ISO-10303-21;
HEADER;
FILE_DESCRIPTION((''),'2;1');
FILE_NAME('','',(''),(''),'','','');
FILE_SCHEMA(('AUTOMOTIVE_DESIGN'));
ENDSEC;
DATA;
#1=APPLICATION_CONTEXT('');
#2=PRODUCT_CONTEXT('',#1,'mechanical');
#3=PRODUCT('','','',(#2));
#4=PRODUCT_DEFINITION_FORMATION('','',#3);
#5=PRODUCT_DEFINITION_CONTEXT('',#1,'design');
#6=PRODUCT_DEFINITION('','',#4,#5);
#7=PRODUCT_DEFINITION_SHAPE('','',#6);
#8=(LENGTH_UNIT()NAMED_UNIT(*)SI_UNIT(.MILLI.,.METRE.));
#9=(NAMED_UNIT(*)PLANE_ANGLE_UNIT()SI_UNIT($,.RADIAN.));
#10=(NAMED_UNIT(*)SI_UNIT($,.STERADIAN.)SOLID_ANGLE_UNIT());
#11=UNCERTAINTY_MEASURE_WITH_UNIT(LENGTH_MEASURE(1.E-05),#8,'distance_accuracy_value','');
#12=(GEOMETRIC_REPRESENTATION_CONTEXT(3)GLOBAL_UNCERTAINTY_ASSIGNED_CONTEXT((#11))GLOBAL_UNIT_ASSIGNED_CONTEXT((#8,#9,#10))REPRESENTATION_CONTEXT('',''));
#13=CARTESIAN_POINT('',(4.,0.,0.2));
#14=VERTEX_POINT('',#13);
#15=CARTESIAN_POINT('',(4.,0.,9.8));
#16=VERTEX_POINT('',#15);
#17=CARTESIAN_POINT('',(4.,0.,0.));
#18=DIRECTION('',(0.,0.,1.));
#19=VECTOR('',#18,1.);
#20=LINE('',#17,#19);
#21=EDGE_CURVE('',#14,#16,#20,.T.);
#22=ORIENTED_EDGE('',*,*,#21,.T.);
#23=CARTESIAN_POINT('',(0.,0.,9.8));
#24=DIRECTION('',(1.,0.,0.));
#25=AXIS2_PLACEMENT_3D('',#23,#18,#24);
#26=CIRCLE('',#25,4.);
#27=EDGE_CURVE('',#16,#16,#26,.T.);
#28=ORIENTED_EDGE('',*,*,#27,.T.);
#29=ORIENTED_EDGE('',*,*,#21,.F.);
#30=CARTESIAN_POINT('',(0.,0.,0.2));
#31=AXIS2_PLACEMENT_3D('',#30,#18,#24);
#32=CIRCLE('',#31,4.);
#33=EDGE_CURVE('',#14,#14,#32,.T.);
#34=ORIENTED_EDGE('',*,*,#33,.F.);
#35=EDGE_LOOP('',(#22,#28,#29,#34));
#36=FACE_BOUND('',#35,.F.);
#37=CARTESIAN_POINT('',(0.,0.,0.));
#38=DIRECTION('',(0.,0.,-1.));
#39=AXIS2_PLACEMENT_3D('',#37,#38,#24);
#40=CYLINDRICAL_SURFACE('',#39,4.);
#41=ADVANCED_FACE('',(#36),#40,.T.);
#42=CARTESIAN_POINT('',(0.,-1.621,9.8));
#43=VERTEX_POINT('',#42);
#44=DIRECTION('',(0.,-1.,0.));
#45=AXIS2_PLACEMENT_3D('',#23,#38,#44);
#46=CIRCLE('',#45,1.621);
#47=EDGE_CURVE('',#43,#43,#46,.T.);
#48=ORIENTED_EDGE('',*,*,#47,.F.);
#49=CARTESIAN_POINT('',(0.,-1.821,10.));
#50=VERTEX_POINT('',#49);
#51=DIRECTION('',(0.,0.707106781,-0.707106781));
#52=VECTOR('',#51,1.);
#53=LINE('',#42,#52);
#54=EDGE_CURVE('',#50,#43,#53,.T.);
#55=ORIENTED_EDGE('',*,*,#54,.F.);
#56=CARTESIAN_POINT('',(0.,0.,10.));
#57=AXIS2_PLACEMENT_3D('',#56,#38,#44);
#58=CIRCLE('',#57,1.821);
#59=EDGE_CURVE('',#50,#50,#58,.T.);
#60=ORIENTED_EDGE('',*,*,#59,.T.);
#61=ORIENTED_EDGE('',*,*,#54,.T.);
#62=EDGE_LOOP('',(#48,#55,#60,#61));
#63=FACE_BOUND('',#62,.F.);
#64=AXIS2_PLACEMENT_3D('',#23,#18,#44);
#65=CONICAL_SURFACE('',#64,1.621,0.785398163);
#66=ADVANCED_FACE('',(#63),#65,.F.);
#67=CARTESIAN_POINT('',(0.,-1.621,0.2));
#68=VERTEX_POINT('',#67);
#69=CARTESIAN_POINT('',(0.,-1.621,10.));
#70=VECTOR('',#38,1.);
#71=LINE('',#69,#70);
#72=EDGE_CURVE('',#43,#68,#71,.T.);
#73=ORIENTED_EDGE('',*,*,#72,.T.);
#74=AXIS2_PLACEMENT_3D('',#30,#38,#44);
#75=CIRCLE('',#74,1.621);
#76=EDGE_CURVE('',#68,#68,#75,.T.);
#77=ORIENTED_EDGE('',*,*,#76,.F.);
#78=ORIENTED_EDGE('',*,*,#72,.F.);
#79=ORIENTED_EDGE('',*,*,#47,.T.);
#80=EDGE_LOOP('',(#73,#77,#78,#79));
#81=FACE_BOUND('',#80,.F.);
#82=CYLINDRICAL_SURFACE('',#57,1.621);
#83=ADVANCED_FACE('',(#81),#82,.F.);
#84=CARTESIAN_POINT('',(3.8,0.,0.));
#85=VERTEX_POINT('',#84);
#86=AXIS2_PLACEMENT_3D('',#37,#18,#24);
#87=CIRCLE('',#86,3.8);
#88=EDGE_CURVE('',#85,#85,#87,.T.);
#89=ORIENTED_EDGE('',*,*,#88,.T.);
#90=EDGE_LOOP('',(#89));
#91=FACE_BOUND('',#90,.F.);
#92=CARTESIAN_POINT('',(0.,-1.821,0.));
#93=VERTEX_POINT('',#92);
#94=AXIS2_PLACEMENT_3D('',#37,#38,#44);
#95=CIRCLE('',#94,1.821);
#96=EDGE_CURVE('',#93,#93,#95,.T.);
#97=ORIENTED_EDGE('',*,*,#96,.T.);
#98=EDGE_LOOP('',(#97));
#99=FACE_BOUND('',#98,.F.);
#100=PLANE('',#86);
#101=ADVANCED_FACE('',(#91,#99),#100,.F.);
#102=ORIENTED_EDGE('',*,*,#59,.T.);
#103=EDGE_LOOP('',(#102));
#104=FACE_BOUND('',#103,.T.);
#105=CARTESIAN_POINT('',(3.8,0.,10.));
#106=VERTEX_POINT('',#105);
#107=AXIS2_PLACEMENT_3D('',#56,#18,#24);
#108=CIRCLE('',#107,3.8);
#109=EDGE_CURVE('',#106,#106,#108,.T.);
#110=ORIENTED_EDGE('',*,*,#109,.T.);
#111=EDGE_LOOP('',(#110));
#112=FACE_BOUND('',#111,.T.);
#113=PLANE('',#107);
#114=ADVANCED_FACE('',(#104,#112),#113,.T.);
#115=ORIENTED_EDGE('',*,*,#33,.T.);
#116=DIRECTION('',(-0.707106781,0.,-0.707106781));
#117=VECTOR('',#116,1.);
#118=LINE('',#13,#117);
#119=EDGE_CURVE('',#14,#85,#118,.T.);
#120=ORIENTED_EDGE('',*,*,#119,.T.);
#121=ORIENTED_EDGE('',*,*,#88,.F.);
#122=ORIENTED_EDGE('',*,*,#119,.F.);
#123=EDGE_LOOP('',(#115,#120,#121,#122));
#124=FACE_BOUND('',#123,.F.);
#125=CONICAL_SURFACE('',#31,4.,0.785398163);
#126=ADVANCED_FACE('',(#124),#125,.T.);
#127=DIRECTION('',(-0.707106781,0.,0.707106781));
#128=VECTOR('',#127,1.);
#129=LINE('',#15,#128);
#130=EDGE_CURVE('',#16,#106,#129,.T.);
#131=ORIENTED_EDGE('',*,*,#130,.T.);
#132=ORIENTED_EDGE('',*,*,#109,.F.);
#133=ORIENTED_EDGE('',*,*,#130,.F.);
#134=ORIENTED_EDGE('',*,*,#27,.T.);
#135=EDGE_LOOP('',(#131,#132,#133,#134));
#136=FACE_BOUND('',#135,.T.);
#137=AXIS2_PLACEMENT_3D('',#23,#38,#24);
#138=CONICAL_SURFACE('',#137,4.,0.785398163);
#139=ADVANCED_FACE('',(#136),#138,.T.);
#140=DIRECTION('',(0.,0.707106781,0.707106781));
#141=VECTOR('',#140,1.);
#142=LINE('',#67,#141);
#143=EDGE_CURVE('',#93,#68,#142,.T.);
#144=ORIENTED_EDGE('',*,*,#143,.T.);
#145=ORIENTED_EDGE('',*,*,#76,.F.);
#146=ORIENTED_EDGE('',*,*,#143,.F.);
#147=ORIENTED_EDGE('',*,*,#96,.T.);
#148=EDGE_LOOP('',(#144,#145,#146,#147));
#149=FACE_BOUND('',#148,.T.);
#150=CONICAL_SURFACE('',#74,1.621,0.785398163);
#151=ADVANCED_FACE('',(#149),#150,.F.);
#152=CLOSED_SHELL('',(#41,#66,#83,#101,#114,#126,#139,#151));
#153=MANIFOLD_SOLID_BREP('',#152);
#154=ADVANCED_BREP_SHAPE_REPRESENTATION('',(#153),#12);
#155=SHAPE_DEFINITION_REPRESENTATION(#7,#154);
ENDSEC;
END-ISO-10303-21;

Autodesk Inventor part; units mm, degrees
ref_plane "YZ Plane" through (0, 0, 0) normal (1, 0, 0) x (0, 1, 0)
ref_plane "XZ Plane" through (0, 0, 0) normal (0, 1, 0) x (-1, 0, 0)
ref_plane "XY Plane" through (0, 0, 0) normal (0, 0, 1) x (1, 0, 0)
sketch "スケッチ1" plane through (0, 0, 0) normal (0, 0, 1) x (1, 0, 0)
  circle A0 centre (0, 0) radius 4
  dimension "d13" = 8
extrude "押し出し1" add sketch "スケッチ1" along normal blind 10
sketch "スケッチ2" plane through (0, 0, 10) normal (0, 0, 1) x (1, 0, 0)
  point P0 (0, 0)
  point P1 (0, 0)
hole "穴1" at (0, 0, 10) direction (0, 0, -1) diameter 3.242 end through all thread size "M4x0.7" class "6H" standard "ANSI Metric M Profile"
chamfer "面取り1" distance 0.2 angle 45 4 edges at (0, 1.621, 10) (0, 1.621, 0) (-4, 0, 10) (-4, 0, 0)
properties part number "ARF-410E" material "鋼、炭素鋼"
